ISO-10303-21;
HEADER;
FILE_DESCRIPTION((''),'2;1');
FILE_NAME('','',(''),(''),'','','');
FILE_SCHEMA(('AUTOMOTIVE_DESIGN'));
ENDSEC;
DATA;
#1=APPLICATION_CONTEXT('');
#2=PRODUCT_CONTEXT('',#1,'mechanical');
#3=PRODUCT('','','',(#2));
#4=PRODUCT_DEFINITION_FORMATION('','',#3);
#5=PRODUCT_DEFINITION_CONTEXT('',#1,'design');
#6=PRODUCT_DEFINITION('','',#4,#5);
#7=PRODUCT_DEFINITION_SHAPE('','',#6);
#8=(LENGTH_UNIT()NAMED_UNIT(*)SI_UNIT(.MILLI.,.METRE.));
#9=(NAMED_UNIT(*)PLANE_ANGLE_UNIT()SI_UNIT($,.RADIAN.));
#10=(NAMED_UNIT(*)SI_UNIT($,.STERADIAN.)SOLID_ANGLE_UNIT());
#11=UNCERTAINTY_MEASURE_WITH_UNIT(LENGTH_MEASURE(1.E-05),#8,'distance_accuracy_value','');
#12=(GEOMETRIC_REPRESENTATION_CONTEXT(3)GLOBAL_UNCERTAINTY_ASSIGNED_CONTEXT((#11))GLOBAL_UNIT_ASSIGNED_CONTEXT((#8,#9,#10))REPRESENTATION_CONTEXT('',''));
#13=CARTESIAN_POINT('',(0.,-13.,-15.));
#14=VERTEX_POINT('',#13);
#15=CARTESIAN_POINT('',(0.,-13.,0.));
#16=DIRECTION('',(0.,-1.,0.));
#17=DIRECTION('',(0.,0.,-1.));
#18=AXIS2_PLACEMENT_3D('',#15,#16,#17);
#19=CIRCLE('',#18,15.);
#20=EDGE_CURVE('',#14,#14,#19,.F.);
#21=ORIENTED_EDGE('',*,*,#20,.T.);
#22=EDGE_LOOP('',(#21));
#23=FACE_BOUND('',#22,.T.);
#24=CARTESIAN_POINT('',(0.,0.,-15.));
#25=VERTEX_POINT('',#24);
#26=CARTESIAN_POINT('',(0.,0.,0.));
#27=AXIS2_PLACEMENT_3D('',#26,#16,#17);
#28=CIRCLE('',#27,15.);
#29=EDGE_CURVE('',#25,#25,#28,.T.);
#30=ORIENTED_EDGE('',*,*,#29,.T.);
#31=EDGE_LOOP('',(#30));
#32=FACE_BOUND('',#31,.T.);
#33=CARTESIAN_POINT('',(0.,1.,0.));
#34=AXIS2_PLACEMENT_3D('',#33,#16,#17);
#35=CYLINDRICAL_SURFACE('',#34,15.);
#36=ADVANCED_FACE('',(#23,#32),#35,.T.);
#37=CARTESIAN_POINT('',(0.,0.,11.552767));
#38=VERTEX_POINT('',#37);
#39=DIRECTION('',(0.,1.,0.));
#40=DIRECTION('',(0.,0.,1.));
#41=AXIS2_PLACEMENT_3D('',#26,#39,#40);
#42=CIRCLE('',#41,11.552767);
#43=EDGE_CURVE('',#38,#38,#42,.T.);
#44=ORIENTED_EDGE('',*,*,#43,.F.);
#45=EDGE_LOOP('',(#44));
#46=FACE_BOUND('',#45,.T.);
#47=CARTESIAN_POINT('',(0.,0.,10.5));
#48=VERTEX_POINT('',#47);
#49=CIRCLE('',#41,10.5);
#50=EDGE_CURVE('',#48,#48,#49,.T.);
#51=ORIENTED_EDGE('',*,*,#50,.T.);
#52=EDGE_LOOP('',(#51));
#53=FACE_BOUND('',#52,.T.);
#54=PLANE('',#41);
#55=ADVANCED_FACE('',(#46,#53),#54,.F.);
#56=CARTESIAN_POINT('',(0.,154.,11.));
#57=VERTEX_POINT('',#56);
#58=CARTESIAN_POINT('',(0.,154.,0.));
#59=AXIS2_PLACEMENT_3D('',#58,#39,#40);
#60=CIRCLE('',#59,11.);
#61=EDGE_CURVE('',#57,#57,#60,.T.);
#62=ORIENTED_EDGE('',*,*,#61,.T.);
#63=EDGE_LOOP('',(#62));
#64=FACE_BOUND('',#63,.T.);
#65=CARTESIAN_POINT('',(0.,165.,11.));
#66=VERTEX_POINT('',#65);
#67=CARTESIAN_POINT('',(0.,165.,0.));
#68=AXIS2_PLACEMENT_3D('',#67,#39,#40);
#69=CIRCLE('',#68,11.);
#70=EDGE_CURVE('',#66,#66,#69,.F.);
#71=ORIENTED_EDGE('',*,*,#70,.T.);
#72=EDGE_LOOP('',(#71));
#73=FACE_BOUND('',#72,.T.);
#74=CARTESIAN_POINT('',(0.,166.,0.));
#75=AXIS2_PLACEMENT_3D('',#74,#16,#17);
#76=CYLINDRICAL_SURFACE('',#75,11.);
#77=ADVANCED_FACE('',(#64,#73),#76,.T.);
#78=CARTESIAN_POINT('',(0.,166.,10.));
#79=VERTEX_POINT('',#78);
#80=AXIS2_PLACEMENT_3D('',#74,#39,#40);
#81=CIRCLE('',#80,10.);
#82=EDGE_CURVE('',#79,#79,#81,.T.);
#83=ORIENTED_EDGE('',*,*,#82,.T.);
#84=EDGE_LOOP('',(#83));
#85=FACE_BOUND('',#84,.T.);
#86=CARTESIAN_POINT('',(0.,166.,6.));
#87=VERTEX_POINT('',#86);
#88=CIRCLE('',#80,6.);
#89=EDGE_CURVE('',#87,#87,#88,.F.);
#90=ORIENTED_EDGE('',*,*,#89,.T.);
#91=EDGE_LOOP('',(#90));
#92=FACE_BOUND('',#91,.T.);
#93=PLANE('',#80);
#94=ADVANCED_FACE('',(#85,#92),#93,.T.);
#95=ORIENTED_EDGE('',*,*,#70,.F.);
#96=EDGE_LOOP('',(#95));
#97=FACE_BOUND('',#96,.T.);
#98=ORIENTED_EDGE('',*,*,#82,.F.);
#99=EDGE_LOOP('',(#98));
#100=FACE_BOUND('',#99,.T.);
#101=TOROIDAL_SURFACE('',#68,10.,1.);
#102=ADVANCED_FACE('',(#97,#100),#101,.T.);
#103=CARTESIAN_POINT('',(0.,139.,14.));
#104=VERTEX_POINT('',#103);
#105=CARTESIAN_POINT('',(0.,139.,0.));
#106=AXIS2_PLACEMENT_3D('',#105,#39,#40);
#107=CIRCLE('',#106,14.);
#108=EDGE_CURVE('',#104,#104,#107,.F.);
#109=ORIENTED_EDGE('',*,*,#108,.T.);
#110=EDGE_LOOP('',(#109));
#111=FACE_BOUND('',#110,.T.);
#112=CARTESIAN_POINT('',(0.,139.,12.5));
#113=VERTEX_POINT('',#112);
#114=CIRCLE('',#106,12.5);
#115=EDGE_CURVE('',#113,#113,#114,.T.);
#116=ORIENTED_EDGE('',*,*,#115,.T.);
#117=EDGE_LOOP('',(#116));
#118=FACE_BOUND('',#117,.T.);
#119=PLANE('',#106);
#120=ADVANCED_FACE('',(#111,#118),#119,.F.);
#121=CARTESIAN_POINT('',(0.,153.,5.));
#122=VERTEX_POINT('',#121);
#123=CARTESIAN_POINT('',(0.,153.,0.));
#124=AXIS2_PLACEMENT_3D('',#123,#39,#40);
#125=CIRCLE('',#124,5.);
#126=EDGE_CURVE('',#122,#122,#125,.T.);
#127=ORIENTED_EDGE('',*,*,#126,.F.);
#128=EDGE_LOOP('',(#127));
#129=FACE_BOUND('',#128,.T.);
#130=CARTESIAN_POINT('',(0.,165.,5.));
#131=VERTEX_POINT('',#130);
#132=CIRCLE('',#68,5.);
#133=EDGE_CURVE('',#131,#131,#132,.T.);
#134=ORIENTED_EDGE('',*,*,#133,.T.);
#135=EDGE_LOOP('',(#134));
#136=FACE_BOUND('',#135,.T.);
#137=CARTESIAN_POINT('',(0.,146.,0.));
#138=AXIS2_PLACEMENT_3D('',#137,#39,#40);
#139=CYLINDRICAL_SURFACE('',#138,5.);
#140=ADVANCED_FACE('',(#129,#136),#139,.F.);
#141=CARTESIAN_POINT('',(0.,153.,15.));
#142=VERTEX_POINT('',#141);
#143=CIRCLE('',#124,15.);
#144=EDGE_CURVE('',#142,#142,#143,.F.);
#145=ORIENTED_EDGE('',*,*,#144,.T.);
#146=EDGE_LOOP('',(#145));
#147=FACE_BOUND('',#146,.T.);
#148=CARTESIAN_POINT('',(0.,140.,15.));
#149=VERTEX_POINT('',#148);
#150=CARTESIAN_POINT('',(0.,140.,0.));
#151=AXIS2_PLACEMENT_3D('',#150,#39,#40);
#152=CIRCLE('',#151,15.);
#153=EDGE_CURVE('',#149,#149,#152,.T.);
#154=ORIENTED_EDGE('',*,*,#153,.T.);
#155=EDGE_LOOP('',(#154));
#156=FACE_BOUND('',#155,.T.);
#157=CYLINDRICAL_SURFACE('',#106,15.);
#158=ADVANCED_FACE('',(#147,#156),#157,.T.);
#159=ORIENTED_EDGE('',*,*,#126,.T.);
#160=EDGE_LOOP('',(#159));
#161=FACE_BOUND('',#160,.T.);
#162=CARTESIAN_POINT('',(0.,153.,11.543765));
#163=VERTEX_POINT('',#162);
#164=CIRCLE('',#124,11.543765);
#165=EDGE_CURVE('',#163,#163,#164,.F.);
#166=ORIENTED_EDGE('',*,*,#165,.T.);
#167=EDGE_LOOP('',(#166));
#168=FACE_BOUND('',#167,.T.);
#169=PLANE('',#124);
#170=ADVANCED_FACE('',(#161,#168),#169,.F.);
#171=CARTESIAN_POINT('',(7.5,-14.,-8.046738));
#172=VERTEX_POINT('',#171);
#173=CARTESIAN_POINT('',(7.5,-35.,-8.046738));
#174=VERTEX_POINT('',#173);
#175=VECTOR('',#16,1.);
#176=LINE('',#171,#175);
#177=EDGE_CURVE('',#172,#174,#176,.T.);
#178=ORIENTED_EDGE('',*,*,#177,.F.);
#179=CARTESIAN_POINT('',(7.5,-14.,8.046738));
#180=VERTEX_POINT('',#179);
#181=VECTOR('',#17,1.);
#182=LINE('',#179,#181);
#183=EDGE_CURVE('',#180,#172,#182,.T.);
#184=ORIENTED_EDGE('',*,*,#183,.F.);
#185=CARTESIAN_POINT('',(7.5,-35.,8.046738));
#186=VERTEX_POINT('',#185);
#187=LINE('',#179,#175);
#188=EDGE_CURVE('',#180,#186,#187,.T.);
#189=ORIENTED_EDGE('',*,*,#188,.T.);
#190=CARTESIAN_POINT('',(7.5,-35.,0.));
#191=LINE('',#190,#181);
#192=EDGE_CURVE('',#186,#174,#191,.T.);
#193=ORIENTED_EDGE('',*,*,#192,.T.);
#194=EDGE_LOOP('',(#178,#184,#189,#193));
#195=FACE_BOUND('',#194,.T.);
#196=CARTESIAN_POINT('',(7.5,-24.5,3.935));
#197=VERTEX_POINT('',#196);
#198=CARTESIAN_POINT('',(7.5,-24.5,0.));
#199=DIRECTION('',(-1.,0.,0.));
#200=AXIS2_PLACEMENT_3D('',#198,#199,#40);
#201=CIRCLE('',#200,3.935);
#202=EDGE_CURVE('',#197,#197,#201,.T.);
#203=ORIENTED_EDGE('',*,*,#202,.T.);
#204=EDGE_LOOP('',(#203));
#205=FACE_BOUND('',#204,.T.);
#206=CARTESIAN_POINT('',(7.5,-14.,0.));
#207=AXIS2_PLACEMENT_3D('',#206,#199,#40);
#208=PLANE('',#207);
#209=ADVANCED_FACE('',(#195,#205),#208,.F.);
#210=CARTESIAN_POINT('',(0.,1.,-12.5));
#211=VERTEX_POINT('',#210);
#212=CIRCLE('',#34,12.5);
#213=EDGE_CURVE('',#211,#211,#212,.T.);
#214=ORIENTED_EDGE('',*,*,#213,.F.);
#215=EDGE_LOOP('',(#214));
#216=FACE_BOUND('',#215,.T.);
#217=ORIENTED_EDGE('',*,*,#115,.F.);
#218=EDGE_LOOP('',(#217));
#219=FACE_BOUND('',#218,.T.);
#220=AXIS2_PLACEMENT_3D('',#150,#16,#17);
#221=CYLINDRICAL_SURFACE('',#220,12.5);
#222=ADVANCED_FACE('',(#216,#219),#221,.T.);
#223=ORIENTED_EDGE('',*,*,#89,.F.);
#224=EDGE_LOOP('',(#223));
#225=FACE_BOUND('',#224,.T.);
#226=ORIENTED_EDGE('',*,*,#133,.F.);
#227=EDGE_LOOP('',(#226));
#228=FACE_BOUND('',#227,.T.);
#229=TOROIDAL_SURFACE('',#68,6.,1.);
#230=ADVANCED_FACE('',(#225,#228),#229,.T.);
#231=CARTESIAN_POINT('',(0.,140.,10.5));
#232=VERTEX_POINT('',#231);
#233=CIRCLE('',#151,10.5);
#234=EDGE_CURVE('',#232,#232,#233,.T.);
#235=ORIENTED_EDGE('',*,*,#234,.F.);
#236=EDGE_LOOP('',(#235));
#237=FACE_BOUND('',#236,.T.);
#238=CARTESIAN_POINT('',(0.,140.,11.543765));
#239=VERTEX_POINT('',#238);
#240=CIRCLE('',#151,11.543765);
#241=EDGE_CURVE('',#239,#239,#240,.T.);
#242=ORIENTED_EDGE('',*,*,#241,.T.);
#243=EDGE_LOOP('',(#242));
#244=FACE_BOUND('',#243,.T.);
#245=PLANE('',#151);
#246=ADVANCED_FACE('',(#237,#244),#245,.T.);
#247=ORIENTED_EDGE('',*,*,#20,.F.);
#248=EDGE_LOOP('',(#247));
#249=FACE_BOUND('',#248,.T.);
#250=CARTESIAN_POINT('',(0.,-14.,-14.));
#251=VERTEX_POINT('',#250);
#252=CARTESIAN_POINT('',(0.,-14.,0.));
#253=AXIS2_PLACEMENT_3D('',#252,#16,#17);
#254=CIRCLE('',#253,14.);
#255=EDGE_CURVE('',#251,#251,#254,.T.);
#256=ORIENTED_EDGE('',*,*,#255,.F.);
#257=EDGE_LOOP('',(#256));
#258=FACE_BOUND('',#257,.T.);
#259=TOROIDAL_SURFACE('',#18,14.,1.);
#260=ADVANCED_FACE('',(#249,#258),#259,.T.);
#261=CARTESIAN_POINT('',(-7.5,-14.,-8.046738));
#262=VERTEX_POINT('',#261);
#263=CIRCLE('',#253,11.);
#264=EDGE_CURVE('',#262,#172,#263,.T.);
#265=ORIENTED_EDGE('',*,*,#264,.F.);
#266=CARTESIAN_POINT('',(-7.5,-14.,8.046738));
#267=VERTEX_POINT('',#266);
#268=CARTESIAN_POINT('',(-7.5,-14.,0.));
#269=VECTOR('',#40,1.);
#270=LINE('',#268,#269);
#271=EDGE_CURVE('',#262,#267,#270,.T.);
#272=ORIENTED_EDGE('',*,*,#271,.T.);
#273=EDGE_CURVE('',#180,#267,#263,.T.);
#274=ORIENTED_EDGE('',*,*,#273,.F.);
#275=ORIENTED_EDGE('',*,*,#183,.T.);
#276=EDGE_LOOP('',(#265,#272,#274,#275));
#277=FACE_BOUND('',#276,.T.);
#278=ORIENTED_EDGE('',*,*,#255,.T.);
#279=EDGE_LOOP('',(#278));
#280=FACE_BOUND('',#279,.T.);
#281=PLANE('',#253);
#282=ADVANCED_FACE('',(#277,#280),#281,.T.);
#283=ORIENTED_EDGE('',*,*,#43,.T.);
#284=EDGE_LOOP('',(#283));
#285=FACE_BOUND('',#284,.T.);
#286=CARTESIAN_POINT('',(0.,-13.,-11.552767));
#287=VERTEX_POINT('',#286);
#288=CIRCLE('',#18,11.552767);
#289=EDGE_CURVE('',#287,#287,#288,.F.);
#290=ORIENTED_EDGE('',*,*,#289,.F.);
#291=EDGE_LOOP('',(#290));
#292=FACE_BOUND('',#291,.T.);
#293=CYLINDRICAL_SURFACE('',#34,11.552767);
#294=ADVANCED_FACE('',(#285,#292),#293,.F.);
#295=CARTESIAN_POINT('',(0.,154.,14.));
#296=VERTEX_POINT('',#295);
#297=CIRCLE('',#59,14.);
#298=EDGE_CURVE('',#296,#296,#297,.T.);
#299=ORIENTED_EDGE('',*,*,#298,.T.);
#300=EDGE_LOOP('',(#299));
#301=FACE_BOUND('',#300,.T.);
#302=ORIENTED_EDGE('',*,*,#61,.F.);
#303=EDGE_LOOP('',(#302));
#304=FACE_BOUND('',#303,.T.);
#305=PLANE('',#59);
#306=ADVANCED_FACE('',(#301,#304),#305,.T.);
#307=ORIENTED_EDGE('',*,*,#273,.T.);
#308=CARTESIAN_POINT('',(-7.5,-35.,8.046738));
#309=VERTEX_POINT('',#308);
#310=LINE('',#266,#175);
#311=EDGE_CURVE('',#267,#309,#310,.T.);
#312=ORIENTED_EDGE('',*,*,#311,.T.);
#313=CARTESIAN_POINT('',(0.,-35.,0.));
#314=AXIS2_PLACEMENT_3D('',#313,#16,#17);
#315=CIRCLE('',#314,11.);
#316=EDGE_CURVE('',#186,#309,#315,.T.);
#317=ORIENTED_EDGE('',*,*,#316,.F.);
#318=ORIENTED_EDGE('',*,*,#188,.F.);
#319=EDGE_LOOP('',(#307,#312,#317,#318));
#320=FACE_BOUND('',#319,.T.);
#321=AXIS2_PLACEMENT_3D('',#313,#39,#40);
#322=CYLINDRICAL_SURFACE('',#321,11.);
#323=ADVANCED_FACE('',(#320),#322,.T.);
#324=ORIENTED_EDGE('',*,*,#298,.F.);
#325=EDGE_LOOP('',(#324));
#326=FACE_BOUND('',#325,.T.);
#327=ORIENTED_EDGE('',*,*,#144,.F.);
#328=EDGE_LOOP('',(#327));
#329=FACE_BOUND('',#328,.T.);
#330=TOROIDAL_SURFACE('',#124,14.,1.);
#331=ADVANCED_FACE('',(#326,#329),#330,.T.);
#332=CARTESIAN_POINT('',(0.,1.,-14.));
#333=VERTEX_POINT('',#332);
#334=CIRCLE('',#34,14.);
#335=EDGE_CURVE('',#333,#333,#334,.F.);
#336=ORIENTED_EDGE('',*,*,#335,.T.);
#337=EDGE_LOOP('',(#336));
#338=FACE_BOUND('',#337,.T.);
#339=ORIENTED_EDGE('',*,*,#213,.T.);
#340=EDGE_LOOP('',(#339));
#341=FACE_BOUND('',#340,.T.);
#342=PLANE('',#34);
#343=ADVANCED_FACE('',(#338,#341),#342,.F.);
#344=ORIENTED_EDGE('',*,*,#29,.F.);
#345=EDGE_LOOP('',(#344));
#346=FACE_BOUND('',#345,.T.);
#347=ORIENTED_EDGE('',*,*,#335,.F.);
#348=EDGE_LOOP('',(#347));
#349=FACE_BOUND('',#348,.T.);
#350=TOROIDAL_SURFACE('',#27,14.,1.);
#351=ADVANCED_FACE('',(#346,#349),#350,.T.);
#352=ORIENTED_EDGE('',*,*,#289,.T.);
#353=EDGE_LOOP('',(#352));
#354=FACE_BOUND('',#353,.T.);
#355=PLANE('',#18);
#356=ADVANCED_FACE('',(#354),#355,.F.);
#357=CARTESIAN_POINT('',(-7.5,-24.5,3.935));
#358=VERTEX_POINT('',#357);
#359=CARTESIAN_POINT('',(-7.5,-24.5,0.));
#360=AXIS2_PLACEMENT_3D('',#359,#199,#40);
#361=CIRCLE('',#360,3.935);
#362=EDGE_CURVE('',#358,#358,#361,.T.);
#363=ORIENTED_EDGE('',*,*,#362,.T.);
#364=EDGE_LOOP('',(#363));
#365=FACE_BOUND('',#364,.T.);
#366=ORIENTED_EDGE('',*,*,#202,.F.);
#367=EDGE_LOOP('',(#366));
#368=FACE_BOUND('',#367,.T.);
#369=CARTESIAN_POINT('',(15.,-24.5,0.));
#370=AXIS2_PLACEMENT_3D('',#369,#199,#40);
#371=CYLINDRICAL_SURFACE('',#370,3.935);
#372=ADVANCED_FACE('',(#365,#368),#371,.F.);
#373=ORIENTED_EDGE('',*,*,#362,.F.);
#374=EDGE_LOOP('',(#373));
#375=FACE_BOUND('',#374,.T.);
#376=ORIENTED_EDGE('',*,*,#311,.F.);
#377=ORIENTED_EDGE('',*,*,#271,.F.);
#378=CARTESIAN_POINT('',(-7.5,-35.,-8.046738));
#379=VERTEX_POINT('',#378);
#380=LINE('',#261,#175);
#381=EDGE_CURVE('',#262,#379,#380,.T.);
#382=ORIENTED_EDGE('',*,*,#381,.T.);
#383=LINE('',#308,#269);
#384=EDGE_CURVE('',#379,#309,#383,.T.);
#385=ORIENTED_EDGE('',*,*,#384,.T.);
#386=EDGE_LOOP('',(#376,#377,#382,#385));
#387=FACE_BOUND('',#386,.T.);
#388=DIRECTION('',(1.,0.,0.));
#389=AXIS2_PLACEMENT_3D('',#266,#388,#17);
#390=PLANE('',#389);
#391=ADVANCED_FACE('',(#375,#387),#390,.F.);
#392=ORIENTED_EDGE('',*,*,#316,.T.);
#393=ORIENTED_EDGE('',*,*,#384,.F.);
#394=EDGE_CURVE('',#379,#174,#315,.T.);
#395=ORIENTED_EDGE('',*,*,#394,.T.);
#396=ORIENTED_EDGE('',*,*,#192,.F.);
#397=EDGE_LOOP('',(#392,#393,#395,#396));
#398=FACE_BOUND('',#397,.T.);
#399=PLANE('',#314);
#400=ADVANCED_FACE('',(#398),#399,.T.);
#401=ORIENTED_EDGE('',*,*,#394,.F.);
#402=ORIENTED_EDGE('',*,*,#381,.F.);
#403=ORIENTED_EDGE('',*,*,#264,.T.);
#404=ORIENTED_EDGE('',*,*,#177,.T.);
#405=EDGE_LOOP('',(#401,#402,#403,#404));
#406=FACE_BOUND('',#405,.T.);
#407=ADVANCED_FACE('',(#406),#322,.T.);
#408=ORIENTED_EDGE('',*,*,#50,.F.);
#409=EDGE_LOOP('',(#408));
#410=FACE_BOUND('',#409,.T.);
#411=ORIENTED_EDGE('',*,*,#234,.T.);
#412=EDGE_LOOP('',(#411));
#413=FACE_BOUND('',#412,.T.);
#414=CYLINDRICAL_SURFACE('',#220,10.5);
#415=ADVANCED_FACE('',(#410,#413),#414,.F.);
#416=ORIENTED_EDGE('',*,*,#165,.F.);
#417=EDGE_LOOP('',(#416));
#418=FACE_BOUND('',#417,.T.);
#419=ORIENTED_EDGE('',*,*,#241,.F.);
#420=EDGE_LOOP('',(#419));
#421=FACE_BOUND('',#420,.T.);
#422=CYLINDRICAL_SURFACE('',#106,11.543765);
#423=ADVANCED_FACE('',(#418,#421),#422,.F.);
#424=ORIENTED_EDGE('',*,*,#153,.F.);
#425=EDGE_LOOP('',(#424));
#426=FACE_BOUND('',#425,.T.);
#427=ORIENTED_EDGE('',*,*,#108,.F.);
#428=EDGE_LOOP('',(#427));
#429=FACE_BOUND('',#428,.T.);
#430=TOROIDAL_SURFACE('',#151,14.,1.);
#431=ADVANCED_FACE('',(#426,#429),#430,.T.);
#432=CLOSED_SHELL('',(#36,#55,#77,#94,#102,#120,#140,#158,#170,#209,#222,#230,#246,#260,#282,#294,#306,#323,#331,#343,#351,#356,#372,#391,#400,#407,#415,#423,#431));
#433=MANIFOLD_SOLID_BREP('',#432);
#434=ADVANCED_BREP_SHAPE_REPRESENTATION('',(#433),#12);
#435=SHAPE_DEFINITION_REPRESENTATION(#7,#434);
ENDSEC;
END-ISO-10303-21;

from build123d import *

# Parameters (mm, degrees)
SKETCH5_R                = 12.5
SKETCH5_R_2              = 10.5
BOSS_EXTRUDE2_DEPTH      = 140
SKETCH6_R                = 15
SKETCH6_R_2              = 11.543764588
BOSS_EXTRUDE3_DEPTH      = 14
BOSS_EXTRUDE3_DEPTH_BACK = 1
SKETCH7_R                = 15
SKETCH7_R_2              = 11.552767092
BOSS_EXTRUDE4_DEPTH      = 14
BOSS_EXTRUDE4_DEPTH_BACK = 1
FILLET1_R                = 1
FILLET2_R                = 1
FILLET3_R                = 1
FILLET4_R                = 1
SKETCH8_R                = 12.593226889
BOSS_EXTRUDE5_DEPTH      = 1
SKETCH9_R                = 12.737258032
BOSS_EXTRUDE6_DEPTH      = 1
SKETCH10_R               = 11
BOSS_EXTRUDE7_DEPTH      = 21
CUT_EXTRUDE1_DEPTH       = 21
SKETCH12_R               = 3.935
CUT_EXTRUDE2_DEPTH       = 23.5000001
SKETCH13_R               = 11
BOSS_EXTRUDE8_DEPTH      = 12
SKETCH14_R               = 5
CUT_EXTRUDE3_DEPTH       = 20
FILLET5_R                = 1
FILLET6_R                = 1


with BuildPart() as part:
    # Sketch5 → Boss-Extrude2 (new body)
    with BuildSketch(Plane(origin=(0, 0, 0), x_dir=(1, 0, 0), z_dir=(0, 1, 0))):
        Circle(SKETCH5_R)
        Circle(SKETCH5_R_2, mode=Mode.SUBTRACT)
    extrude(amount=BOSS_EXTRUDE2_DEPTH)

    # Sketch6 → Boss-Extrude3 (add, two sides)
    with BuildSketch(Plane(origin=(0, 140, 0), x_dir=(1, 0, 0), z_dir=(0, 1, 0))) as boss_extrude3_sk:
        Circle(SKETCH6_R)
        Circle(SKETCH6_R_2, mode=Mode.SUBTRACT)
    extrude(amount=BOSS_EXTRUDE3_DEPTH)
    extrude(boss_extrude3_sk.sketch, amount=-BOSS_EXTRUDE3_DEPTH_BACK)

    # Sketch7 → Boss-Extrude4 (add, two sides)
    with BuildSketch(Plane.XZ) as boss_extrude4_sk:
        Circle(SKETCH7_R)
        Circle(SKETCH7_R_2, mode=Mode.SUBTRACT)
    extrude(amount=BOSS_EXTRUDE4_DEPTH)
    extrude(boss_extrude4_sk.sketch, amount=-BOSS_EXTRUDE4_DEPTH_BACK)

    # Fillet1
    fillet1_edges = [part.edges().sort_by_distance(p)[0] for p in [
        (-15, 139, 0),
    ]]
    fillet(fillet1_edges, radius=FILLET1_R)

    # Fillet2
    fillet2_edges = [part.edges().sort_by_distance(p)[0] for p in [
        (-15, 1, 0),
    ]]
    fillet(fillet2_edges, radius=FILLET2_R)

    # Fillet3
    fillet3_edges = [part.edges().sort_by_distance(p)[0] for p in [
        (-15, 154, 0),
    ]]
    fillet(fillet3_edges, radius=FILLET3_R)

    # Fillet4
    fillet4_edges = [part.edges().sort_by_distance(p)[0] for p in [
        (-15, -14, 0),
    ]]
    fillet(fillet4_edges, radius=FILLET4_R)

    # Sketch8 → Boss-Extrude5 (add)
    with BuildSketch(Plane(origin=(0, 154, 0), x_dir=(1, 0, 0), z_dir=(0, 1, 0))):
        Circle(SKETCH8_R)
    extrude(amount=-BOSS_EXTRUDE5_DEPTH)

    # Sketch9 → Boss-Extrude6 (add)
    with BuildSketch(Plane.XZ.offset(14)):
        Circle(SKETCH9_R)
    extrude(amount=-BOSS_EXTRUDE6_DEPTH)

    # Sketch10 → Boss-Extrude7 (add)
    with BuildSketch(Plane.XZ.offset(14)):
        Circle(SKETCH10_R)
    extrude(amount=BOSS_EXTRUDE7_DEPTH)

    # Sketch11 → Cut-Extrude1 (cut)
    with BuildSketch(Plane.XZ.offset(35)):
        with BuildLine():
            Line((-7.5, 8.04673847), (-7.5, 0))
            Line((-7.5, 0), (-7.5, -8.04673847))
            ThreePointArc((-7.5, -8.04673847), (-11, 0), (-7.5, 8.04673847))
        make_face()
        with BuildLine():
            Line((7.5, 0), (7.5, -8.04673847))
            ThreePointArc((7.5, -8.04673847), (11, 0), (7.5, 8.04673847))
            Line((7.5, 8.04673847), (7.5, 0))
        make_face()
    extrude(amount=-CUT_EXTRUDE1_DEPTH, mode=Mode.SUBTRACT)

    # Sketch12 → Cut-Extrude2 (cut, through all)
    with BuildSketch(Plane.ZY.offset(7.5)):
        with Locations((0, -24.5)):
            Circle(SKETCH12_R)
    extrude(amount=-CUT_EXTRUDE2_DEPTH, mode=Mode.SUBTRACT)

    # Sketch13 → Boss-Extrude8 (add)
    with BuildSketch(Plane(origin=(0, 154, 0), x_dir=(1, 0, 0), z_dir=(0, 1, 0))):
        Circle(SKETCH13_R)
    extrude(amount=BOSS_EXTRUDE8_DEPTH)

    # Sketch14 → Cut-Extrude3 (cut)
    with BuildSketch(Plane(origin=(0, 166, 0), x_dir=(1, 0, 0), z_dir=(0, 1, 0))):
        Circle(SKETCH14_R)
    extrude(amount=-CUT_EXTRUDE3_DEPTH, mode=Mode.SUBTRACT)

    # Fillet5
    fillet5_edges = [part.edges().sort_by_distance(p)[0] for p in [
        (-11, 166, 0),
    ]]
    fillet(fillet5_edges, radius=FILLET5_R)

    # Fillet6
    fillet6_edges = [part.edges().sort_by_distance(p)[0] for p in [
        (-5, 166, 0),
    ]]
    fillet(fillet6_edges, radius=FILLET6_R)


solid = part.part
